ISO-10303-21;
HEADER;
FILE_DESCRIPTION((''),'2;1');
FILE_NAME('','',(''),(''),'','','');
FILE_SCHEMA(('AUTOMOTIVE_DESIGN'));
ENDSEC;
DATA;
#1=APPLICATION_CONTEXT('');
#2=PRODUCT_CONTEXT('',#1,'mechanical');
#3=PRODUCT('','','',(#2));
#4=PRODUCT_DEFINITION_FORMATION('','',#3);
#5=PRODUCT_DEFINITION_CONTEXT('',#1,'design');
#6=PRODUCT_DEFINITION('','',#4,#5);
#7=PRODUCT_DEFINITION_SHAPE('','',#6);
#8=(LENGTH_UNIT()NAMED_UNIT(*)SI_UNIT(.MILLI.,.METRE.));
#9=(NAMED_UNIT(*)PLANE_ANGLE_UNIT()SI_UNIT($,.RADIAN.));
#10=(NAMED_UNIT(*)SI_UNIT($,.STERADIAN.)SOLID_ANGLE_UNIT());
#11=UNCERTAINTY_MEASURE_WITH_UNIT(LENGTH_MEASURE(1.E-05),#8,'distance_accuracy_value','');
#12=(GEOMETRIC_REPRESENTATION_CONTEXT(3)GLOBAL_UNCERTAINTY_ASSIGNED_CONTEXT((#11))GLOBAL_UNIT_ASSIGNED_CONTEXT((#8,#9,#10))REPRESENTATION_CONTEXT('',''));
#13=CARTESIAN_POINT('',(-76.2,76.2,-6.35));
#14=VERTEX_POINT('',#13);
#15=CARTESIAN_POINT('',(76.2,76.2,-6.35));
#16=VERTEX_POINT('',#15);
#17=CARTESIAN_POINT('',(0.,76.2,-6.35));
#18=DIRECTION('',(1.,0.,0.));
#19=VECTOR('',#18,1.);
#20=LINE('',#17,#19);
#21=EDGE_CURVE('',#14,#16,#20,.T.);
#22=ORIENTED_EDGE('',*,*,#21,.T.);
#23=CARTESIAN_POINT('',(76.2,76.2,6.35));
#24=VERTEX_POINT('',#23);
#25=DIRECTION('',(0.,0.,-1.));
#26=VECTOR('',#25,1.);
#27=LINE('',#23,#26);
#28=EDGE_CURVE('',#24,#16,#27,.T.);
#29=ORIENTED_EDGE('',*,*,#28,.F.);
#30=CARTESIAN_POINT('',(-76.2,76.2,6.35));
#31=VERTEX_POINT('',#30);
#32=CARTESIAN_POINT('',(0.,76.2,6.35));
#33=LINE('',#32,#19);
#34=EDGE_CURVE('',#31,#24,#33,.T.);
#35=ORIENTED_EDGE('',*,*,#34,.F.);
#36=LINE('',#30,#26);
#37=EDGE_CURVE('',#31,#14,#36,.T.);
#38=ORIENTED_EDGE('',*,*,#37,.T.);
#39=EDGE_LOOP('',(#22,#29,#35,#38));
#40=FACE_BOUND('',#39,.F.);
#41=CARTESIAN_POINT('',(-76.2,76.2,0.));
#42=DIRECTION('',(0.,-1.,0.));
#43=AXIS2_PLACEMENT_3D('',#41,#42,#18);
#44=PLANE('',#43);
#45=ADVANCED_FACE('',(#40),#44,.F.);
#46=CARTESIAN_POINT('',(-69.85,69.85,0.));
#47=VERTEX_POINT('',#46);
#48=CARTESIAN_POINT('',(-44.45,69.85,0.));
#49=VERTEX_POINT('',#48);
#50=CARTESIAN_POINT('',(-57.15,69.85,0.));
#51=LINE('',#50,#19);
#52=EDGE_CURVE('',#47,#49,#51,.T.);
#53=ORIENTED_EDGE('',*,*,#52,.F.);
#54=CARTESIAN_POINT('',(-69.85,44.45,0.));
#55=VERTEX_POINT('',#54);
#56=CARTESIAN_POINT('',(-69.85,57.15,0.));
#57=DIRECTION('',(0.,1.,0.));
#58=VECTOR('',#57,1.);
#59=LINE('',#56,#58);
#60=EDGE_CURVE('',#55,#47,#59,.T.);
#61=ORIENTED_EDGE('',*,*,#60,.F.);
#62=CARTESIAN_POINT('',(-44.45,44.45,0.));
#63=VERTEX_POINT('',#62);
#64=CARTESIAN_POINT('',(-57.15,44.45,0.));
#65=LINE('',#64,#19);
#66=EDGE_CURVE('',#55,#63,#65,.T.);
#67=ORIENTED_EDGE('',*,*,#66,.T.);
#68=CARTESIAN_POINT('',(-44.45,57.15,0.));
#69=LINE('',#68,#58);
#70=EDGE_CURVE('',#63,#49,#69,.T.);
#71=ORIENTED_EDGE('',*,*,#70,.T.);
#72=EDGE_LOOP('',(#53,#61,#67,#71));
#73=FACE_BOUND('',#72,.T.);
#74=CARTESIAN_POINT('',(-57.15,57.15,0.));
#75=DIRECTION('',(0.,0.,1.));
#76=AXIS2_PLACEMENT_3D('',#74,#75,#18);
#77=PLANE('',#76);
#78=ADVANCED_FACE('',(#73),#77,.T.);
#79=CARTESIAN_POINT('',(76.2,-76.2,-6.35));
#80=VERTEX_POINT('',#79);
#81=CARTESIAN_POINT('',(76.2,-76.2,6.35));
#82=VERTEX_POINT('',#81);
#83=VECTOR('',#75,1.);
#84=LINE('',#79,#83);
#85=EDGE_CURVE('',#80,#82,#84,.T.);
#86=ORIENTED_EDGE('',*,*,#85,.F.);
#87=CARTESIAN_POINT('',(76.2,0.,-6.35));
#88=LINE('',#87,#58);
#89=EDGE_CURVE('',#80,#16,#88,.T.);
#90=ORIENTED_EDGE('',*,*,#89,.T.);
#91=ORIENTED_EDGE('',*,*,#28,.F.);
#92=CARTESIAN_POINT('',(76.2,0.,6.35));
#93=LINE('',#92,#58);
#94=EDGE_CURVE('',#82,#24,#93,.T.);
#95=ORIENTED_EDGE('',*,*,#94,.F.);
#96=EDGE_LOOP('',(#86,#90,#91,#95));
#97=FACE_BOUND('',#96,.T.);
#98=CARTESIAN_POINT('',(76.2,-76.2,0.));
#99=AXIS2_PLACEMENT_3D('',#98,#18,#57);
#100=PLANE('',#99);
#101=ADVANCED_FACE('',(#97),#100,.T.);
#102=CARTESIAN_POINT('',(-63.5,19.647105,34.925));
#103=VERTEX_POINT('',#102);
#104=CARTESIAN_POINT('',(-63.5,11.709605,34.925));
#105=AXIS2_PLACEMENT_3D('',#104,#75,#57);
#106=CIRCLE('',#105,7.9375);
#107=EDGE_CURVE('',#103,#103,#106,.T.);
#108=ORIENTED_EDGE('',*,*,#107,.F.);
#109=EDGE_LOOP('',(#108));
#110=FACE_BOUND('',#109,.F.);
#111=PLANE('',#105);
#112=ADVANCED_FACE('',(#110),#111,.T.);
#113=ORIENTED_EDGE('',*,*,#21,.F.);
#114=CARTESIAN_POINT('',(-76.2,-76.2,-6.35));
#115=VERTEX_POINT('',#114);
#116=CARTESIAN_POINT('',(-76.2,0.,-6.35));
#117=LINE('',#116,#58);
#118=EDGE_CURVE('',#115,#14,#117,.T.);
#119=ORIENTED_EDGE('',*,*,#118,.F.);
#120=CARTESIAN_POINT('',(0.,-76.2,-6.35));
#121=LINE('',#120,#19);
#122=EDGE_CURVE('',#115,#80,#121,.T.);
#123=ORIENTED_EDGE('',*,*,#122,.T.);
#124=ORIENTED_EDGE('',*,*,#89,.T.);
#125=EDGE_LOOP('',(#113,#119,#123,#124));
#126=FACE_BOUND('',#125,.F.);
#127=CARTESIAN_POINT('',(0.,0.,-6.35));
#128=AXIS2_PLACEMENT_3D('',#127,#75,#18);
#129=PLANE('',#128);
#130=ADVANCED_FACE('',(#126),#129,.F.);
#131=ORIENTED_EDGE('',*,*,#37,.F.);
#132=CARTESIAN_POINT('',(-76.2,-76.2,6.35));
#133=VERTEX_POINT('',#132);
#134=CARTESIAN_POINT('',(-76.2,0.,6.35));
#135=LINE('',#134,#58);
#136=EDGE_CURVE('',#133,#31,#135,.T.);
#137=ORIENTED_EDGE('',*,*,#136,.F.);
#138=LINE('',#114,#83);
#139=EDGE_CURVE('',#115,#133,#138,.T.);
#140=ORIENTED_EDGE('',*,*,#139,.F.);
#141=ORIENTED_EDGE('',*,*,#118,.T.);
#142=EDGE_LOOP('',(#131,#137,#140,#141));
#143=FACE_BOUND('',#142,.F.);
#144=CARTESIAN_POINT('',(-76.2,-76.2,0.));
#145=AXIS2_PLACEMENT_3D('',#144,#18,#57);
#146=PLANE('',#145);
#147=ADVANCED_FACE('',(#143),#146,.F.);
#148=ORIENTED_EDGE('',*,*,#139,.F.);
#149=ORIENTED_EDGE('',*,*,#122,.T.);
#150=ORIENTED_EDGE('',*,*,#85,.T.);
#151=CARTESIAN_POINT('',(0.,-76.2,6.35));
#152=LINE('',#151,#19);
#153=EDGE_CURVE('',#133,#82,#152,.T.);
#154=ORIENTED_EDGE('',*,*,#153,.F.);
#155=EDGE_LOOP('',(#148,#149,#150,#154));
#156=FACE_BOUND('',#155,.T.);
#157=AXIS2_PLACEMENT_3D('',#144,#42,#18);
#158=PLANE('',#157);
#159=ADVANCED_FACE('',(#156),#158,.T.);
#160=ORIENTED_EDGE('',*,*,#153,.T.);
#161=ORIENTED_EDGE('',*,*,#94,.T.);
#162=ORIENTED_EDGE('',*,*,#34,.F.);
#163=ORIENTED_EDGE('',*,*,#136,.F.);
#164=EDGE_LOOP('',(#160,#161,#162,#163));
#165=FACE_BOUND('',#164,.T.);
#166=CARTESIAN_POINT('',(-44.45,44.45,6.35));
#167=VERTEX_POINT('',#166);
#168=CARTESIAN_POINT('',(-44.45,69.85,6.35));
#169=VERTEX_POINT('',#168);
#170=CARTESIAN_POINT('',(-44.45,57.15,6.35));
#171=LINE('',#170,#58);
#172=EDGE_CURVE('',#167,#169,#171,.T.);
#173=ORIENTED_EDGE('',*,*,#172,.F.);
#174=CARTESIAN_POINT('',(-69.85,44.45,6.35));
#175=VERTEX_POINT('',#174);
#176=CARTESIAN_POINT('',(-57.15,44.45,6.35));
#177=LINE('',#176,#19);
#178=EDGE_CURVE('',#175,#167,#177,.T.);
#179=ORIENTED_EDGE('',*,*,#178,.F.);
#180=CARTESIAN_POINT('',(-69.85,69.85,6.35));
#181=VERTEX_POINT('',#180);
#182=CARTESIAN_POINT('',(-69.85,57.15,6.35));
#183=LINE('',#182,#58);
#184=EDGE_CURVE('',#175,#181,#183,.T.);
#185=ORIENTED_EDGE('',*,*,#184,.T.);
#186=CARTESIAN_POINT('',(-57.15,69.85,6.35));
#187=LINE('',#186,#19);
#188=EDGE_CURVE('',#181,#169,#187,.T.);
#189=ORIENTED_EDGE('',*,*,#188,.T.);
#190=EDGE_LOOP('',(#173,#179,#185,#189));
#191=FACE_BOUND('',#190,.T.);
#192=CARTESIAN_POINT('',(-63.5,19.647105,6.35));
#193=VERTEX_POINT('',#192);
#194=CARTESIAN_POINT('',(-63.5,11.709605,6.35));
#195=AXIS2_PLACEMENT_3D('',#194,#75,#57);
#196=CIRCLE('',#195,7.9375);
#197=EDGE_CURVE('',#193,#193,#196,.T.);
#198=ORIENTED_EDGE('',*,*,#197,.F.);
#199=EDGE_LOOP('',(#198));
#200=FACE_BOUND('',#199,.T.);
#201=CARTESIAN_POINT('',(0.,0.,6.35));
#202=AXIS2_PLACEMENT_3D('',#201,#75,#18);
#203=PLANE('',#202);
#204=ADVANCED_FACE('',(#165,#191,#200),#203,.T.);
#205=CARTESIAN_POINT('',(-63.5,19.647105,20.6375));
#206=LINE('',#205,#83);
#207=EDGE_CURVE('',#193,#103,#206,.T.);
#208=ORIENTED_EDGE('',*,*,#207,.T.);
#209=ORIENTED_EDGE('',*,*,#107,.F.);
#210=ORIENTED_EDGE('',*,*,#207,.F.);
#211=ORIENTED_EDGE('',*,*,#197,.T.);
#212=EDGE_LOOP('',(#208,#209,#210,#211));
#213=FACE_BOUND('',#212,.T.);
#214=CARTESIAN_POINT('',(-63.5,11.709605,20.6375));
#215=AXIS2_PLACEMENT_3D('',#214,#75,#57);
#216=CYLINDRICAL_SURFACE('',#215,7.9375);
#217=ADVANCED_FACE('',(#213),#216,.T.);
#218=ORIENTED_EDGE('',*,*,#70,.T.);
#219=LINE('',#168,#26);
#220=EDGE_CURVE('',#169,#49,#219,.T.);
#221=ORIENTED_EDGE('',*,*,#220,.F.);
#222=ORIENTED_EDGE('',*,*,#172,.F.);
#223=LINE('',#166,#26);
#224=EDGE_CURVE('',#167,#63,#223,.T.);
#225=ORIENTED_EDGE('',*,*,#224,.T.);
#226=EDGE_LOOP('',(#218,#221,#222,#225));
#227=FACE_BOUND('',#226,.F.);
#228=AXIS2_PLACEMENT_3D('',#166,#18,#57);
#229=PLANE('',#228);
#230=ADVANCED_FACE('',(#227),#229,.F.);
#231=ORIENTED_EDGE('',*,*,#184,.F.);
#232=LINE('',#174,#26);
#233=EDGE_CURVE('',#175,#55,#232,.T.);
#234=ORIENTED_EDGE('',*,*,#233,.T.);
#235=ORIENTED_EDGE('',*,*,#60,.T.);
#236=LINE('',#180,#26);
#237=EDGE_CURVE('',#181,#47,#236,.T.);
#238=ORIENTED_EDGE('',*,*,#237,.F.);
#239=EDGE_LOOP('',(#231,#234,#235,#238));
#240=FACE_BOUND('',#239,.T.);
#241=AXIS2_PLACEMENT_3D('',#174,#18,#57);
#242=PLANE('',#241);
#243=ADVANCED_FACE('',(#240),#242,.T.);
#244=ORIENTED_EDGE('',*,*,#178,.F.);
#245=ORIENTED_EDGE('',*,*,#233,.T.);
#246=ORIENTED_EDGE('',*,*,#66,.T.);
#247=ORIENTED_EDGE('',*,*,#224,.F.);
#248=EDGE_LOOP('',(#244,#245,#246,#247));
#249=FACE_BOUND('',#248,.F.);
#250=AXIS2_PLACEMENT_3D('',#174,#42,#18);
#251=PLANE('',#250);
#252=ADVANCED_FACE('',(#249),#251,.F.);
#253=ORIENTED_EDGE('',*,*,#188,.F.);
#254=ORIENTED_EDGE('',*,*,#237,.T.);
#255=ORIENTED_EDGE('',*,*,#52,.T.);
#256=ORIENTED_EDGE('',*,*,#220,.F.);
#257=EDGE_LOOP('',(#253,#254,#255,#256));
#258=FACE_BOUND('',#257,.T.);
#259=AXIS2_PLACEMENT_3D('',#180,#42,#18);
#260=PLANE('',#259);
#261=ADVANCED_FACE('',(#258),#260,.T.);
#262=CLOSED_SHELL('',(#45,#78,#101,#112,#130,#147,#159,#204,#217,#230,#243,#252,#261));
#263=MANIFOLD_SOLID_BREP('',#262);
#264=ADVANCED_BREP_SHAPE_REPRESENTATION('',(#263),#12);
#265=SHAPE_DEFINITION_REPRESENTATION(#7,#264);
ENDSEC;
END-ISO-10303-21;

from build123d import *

# Parameters (mm, degrees)
F0_W     = 152.4
F0_H     = 152.4
F1_DEPTH = 6.35
F2_W     = 25.4
F2_H     = 25.4
F3_DEPTH = 6.35
F5_W     = 7.9375
F5_H     = 28.575


with BuildPart() as f1:
    # F0 (on Top) → F1 (new body, symmetric)
    with BuildSketch(Plane.XY):
        Rectangle(F0_W, F0_H)
    extrude(amount=F1_DEPTH, both=True)

    # F2 (on face) → F3 (cut)
    with BuildSketch(Plane.XY.offset(6.35)):
        with Locations((-57.15, 57.15)):
            Rectangle(F2_W, F2_H)
    extrude(amount=-F3_DEPTH, mode=Mode.SUBTRACT)

    # F5 (on offset) → F6 (revolve)
    with BuildSketch(Plane.YZ.offset(-63.5)):
        with Locations((15.678355, 20.6375)):
            Rectangle(F5_W, F5_H)
    revolve(axis=Axis((-63.5, 11.709605, 20.6375), (0, 0, 1)))


solid = f1.part
